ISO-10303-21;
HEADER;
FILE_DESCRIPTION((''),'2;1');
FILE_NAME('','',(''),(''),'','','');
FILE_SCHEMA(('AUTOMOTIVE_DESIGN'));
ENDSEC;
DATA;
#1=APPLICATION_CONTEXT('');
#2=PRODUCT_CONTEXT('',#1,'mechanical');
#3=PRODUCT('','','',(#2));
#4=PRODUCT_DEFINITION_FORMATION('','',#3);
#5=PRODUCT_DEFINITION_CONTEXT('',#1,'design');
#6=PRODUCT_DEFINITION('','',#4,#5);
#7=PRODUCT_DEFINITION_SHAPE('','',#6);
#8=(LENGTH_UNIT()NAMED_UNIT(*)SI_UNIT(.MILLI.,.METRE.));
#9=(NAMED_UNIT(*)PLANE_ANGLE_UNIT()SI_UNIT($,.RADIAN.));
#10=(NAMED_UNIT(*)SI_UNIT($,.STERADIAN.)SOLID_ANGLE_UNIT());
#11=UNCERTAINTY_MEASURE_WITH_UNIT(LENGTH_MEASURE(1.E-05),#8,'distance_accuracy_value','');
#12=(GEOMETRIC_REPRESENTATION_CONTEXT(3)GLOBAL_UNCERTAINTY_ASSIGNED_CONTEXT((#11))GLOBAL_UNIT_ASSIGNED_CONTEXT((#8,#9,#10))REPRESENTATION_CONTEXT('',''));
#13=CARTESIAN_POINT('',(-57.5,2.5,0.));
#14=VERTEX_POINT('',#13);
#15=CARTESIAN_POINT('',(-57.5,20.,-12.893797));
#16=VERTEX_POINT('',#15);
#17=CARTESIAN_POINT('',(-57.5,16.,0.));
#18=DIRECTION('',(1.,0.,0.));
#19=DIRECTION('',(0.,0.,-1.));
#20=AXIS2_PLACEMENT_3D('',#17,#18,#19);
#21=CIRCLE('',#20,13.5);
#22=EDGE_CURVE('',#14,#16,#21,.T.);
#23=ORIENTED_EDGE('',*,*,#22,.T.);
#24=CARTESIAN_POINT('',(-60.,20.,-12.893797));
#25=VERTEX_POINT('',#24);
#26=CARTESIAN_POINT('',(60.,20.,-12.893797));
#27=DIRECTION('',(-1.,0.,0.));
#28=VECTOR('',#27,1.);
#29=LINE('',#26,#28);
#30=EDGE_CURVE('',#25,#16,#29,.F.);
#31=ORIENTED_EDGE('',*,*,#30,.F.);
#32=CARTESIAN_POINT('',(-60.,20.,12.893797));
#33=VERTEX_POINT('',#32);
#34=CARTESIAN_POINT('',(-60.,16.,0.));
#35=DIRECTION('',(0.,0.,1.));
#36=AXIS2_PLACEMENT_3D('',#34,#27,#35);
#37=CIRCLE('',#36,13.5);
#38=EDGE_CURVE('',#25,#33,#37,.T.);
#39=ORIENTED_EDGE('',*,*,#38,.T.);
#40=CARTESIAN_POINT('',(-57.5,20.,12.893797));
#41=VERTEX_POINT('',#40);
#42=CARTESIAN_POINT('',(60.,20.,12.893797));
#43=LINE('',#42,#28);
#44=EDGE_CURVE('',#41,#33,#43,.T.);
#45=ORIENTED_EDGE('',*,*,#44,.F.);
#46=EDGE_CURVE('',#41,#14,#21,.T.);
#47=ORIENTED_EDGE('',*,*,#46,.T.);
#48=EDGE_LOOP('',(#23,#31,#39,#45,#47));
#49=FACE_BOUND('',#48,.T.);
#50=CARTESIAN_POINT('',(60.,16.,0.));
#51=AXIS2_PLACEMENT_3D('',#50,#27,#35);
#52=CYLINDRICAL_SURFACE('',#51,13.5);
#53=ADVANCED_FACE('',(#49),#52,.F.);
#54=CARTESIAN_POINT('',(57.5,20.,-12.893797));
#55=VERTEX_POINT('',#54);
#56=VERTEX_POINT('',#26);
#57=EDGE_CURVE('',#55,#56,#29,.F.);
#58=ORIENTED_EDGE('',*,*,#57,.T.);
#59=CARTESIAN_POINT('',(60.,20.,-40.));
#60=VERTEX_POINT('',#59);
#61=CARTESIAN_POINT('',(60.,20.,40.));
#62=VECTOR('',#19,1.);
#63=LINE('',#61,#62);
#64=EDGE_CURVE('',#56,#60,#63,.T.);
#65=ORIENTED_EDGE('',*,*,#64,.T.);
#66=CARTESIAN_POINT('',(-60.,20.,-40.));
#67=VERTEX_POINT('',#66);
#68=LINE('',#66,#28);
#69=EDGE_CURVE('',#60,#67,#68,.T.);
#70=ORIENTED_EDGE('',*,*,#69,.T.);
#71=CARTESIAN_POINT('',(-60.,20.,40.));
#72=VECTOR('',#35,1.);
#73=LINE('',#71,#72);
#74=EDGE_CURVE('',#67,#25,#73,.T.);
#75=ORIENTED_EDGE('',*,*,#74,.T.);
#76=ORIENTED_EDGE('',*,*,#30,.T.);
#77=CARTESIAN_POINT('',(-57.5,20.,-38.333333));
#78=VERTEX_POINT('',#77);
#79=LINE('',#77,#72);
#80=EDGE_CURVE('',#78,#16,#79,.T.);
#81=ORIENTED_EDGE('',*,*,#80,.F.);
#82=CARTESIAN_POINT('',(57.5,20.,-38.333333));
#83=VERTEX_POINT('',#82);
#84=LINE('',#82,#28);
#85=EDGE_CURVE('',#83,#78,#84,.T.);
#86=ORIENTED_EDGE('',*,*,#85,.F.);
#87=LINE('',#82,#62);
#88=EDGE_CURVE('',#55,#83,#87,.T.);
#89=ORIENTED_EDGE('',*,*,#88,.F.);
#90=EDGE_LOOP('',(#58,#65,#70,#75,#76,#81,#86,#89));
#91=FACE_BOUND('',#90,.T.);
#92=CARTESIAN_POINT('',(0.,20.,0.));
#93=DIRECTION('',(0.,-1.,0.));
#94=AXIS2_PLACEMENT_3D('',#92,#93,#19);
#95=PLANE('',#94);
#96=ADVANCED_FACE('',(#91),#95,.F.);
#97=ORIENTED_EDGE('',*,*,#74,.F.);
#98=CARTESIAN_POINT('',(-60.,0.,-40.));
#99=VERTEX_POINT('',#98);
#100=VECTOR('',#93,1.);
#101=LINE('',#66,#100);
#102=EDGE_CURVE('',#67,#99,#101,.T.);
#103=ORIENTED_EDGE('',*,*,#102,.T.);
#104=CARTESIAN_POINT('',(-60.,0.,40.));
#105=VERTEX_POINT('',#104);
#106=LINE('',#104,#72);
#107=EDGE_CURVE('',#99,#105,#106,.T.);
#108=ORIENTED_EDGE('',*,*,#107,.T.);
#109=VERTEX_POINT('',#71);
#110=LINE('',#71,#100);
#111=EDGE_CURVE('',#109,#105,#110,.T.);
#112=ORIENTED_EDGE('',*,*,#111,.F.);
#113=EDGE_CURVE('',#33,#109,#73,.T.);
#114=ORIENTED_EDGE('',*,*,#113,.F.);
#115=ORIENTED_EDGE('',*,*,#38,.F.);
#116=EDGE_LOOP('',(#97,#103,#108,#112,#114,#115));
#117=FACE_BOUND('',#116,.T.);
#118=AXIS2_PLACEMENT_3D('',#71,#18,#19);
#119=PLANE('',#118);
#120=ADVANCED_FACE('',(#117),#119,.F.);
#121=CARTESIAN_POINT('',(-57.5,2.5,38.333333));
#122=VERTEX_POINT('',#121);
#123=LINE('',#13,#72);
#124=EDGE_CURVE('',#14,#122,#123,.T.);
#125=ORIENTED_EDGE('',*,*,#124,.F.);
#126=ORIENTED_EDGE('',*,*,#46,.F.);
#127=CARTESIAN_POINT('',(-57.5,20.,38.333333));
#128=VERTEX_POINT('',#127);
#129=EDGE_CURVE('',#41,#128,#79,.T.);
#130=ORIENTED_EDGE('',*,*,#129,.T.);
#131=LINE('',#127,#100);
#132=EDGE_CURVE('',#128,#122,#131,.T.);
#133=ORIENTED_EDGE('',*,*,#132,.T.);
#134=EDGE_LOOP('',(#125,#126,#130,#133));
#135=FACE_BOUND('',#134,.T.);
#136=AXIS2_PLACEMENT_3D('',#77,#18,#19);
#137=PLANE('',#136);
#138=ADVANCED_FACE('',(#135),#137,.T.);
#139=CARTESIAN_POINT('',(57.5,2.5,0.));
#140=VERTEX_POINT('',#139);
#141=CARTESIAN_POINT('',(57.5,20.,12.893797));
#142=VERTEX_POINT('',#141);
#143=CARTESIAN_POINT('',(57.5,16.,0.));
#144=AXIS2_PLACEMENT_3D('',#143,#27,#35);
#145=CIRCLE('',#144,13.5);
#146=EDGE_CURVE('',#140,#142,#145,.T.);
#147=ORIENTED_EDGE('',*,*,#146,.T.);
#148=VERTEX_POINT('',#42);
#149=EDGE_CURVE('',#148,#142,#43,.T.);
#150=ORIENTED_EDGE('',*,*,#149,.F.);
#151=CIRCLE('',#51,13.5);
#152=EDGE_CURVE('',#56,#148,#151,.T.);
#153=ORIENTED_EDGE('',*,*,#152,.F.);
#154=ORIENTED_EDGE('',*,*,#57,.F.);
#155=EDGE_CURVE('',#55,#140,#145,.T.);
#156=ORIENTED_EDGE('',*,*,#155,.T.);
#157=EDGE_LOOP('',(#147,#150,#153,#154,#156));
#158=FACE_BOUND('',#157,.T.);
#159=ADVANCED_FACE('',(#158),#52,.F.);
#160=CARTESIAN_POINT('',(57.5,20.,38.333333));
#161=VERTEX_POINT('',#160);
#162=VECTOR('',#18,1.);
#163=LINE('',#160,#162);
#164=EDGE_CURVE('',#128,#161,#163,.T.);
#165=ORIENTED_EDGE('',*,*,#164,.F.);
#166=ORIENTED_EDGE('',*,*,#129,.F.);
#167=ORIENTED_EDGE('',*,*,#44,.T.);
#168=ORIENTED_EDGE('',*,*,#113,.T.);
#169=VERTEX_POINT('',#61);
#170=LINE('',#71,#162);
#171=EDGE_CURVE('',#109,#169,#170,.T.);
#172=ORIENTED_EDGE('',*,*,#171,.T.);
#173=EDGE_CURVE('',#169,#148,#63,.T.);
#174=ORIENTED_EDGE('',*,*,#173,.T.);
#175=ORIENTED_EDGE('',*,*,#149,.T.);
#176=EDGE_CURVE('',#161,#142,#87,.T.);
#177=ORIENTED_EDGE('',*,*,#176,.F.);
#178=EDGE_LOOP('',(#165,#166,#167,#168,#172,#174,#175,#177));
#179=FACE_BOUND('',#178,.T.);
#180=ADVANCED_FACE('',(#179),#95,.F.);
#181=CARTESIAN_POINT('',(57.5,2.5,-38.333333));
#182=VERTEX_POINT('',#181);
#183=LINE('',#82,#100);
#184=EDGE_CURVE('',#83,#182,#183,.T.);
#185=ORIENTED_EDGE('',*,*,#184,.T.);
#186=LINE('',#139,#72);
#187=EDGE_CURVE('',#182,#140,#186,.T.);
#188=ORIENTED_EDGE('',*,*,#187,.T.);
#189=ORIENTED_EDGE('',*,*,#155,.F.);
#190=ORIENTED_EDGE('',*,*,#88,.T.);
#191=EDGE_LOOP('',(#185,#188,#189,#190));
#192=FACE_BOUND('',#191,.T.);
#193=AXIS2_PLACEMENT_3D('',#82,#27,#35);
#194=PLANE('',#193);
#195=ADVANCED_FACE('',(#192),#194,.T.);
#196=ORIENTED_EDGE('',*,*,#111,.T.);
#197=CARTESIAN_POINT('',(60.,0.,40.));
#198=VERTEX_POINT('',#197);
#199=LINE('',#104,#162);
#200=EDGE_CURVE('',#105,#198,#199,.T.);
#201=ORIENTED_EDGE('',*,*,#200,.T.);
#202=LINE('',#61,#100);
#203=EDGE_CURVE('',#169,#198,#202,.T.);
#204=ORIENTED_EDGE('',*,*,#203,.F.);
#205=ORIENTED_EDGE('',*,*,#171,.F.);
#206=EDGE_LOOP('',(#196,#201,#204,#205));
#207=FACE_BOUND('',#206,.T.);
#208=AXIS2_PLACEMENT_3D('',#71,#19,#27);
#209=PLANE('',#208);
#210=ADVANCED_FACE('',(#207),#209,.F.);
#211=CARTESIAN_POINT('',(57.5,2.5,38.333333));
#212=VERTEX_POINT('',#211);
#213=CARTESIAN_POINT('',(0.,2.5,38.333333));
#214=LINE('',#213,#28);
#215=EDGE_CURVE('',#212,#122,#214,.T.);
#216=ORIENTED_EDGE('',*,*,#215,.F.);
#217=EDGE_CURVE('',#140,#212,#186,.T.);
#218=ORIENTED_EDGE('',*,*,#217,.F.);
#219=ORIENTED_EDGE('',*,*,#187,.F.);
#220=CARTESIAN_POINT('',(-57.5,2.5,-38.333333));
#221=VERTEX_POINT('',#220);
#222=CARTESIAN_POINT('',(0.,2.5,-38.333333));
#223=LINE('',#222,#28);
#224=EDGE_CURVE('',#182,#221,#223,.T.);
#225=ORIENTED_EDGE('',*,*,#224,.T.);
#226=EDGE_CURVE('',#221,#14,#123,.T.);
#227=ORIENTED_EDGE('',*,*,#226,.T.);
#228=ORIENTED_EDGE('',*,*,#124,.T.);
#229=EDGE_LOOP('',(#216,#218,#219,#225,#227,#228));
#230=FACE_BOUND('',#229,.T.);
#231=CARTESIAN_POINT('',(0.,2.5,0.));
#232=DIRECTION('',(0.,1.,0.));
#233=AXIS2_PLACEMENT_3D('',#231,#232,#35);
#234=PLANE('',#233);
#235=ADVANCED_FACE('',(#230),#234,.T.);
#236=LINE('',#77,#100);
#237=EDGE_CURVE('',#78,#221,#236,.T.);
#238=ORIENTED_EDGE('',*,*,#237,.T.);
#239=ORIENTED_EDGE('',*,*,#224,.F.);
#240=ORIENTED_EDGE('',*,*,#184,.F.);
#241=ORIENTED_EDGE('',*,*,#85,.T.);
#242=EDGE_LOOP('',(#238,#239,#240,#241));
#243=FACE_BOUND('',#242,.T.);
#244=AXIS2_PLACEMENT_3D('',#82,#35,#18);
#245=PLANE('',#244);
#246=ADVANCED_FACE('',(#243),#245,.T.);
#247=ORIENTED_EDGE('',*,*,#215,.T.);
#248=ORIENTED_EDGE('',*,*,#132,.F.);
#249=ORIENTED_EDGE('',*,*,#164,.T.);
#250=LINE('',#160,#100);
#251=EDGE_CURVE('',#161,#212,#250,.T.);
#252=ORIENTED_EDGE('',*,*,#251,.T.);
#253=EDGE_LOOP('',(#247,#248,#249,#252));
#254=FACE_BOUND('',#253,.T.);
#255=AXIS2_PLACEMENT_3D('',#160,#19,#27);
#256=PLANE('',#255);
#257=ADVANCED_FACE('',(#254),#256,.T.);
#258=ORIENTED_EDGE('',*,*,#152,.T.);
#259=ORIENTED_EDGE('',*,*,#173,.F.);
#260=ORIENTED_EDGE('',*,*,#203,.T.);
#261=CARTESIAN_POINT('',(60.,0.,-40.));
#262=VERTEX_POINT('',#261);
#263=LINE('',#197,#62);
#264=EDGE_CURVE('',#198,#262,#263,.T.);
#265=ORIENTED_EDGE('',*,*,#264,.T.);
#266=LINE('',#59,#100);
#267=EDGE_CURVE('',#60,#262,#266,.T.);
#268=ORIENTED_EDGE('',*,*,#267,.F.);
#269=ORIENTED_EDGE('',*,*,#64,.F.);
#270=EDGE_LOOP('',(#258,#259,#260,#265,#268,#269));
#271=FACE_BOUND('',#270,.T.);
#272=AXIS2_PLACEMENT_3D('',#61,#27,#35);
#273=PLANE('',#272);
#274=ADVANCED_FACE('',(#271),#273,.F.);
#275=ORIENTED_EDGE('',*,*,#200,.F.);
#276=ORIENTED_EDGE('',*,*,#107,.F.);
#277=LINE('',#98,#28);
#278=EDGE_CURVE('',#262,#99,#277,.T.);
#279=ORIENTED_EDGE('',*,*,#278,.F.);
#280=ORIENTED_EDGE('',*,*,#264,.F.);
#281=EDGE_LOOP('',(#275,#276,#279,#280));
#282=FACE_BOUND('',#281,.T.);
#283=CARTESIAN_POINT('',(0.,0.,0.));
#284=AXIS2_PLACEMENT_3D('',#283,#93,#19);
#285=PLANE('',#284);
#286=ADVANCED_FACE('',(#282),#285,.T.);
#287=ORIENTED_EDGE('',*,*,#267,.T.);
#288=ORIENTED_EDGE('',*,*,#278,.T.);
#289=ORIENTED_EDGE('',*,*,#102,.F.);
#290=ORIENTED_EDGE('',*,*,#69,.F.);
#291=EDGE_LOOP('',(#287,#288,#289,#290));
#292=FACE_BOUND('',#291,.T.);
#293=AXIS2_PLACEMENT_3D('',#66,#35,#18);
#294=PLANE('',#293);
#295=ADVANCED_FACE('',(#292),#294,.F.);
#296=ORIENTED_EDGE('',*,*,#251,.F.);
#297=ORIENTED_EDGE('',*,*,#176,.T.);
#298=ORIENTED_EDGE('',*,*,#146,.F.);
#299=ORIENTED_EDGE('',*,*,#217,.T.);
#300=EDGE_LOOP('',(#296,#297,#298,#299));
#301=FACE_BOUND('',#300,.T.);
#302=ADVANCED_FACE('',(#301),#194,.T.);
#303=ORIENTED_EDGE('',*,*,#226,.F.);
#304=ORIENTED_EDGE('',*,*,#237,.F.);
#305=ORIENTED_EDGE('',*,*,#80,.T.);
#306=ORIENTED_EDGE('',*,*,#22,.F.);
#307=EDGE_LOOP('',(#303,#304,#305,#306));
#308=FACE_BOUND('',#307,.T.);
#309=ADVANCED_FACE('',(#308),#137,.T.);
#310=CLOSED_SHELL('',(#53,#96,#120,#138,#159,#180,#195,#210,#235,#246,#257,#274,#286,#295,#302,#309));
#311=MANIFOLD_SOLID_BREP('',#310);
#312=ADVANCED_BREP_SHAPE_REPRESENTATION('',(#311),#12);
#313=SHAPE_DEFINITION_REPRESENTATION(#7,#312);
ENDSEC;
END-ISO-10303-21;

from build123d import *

# Parameters (mm, degrees)
SKETCH1_W           = 120
SKETCH1_H           = 80
SKETCH1_W_2         = 115
SKETCH1_H_2         = 76.666666666
BOSS_EXTRUDE1_DEPTH = 20
SKETCH1_3_W         = 115
SKETCH1_3_H         = 76.666666666
BOSS_EXTRUDE2_DEPTH = 2.5
SKETCH2_R           = 13.5
CUT_EXTRUDE1_DEPTH  = 129.062484749


with BuildPart() as part:
    # Sketch1 → Boss-Extrude1 (new body)
    with BuildSketch(Plane(origin=(0, 0, 0), x_dir=(1, 0, 0), z_dir=(0, 1, 0))):
        Rectangle(SKETCH1_W, SKETCH1_H)
        Rectangle(SKETCH1_W_2, SKETCH1_H_2, mode=Mode.SUBTRACT)
    extrude(amount=BOSS_EXTRUDE1_DEPTH)

    # Sketch1<3> → Boss-Extrude2 (add)
    with BuildSketch(Plane(origin=(0, 0, 0), x_dir=(1, 0, 0), z_dir=(0, 1, 0))):
        Rectangle(SKETCH1_3_W, SKETCH1_3_H)
    extrude(amount=BOSS_EXTRUDE2_DEPTH)

    # Sketch2 → Cut-Extrude1 (cut, through all)
    with BuildSketch(Plane.ZY.offset(60)):
        with Locations((0, 16)):
            Circle(SKETCH2_R)
    extrude(amount=-CUT_EXTRUDE1_DEPTH, mode=Mode.SUBTRACT)


solid = part.part
